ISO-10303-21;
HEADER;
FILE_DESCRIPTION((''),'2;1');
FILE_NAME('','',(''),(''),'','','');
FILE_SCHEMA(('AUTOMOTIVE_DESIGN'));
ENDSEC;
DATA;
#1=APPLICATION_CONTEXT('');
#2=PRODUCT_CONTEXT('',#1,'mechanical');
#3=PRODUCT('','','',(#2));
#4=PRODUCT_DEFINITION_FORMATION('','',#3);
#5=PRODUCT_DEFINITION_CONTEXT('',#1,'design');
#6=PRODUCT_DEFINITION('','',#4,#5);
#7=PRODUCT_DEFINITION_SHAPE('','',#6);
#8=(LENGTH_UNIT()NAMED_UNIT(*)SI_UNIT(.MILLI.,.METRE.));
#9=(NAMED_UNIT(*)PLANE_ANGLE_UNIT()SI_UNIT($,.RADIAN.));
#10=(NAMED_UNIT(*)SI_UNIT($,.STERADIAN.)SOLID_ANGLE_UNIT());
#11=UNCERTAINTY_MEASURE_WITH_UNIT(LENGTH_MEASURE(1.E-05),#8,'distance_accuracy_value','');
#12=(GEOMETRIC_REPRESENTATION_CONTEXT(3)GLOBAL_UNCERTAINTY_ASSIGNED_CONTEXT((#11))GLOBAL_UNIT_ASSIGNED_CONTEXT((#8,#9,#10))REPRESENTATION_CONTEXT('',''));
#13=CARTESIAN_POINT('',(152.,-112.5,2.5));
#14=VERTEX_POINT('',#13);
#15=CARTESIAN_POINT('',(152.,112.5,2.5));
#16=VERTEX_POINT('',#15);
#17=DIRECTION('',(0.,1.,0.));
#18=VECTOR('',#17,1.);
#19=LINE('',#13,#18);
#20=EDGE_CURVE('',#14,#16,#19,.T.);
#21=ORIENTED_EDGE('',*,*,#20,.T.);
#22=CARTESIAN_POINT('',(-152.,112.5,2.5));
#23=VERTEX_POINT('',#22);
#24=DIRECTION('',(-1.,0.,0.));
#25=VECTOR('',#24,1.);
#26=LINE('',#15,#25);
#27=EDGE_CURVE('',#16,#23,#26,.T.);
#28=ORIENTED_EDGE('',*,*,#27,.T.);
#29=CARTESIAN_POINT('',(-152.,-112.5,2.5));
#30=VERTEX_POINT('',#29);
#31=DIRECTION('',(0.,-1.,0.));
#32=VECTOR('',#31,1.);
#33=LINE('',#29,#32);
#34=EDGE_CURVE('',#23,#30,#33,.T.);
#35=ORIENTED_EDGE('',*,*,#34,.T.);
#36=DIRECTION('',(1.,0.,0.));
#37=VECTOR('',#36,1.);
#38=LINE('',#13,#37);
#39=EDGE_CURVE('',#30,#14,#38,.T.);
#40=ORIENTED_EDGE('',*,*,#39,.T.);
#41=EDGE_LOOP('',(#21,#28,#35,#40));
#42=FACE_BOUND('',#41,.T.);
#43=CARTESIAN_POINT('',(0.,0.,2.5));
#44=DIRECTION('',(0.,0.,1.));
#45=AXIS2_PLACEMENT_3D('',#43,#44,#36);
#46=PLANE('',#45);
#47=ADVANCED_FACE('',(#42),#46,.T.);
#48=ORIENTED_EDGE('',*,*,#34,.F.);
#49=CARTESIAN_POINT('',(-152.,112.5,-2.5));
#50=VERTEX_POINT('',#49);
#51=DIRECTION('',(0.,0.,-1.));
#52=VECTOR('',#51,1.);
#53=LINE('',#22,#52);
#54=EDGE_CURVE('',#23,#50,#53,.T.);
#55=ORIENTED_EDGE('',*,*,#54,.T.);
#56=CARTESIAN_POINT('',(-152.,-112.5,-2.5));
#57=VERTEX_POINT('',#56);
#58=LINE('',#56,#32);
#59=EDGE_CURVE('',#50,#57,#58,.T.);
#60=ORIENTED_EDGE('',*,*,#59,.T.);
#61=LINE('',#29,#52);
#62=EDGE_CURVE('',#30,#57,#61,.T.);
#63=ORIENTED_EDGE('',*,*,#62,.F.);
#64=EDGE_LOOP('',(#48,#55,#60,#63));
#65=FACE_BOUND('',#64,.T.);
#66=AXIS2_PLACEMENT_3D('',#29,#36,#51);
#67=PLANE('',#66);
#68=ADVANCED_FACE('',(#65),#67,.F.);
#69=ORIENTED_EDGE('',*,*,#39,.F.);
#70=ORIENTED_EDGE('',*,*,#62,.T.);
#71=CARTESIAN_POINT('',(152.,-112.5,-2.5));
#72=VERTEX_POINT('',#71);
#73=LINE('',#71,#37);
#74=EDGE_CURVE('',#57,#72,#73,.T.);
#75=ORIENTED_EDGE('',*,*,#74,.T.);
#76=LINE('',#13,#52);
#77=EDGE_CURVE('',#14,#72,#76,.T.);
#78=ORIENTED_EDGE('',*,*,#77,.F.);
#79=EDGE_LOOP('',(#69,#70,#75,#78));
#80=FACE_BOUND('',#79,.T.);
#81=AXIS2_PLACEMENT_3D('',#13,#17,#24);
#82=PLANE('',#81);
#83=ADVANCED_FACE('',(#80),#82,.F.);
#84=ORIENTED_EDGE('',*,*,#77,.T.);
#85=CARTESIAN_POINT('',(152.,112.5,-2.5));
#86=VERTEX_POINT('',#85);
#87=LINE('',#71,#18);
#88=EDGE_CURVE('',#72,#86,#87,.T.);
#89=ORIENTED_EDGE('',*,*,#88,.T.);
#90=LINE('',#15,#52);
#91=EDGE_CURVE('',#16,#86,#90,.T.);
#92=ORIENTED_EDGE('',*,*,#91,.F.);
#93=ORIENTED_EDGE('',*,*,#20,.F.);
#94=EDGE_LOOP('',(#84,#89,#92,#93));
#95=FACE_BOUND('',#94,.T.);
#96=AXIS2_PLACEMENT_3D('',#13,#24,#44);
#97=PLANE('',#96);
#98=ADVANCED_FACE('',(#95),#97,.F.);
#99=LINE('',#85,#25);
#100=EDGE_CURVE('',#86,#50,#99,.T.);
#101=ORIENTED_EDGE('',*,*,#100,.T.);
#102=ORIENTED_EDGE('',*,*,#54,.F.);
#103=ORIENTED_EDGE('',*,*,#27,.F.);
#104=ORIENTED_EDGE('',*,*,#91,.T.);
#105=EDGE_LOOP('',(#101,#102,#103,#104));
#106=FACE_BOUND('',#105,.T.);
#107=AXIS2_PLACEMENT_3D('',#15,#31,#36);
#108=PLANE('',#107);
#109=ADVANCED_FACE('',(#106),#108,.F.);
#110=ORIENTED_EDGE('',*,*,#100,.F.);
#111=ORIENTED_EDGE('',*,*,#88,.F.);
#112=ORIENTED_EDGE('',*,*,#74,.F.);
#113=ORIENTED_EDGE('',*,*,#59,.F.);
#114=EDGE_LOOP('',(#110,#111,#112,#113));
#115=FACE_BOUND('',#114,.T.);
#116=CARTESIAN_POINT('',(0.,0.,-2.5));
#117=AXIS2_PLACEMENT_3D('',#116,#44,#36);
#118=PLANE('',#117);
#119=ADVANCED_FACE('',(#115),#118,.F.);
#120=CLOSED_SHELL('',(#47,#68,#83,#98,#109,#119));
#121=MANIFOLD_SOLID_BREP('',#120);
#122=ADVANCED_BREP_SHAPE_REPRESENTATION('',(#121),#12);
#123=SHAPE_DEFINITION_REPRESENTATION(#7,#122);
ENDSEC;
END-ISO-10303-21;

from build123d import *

# Parameters (mm, degrees)
SKETCH_1_W      = 304
SKETCH_1_H      = 225
EXTRUDE_1_DEPTH = 2.5


with BuildPart() as part:
    # 草图1 → 凸台-拉伸1 (new body, symmetric)
    with BuildSketch(Plane.XY):
        Rectangle(SKETCH_1_W, SKETCH_1_H)
    extrude(amount=EXTRUDE_1_DEPTH, both=True)


solid = part.part
